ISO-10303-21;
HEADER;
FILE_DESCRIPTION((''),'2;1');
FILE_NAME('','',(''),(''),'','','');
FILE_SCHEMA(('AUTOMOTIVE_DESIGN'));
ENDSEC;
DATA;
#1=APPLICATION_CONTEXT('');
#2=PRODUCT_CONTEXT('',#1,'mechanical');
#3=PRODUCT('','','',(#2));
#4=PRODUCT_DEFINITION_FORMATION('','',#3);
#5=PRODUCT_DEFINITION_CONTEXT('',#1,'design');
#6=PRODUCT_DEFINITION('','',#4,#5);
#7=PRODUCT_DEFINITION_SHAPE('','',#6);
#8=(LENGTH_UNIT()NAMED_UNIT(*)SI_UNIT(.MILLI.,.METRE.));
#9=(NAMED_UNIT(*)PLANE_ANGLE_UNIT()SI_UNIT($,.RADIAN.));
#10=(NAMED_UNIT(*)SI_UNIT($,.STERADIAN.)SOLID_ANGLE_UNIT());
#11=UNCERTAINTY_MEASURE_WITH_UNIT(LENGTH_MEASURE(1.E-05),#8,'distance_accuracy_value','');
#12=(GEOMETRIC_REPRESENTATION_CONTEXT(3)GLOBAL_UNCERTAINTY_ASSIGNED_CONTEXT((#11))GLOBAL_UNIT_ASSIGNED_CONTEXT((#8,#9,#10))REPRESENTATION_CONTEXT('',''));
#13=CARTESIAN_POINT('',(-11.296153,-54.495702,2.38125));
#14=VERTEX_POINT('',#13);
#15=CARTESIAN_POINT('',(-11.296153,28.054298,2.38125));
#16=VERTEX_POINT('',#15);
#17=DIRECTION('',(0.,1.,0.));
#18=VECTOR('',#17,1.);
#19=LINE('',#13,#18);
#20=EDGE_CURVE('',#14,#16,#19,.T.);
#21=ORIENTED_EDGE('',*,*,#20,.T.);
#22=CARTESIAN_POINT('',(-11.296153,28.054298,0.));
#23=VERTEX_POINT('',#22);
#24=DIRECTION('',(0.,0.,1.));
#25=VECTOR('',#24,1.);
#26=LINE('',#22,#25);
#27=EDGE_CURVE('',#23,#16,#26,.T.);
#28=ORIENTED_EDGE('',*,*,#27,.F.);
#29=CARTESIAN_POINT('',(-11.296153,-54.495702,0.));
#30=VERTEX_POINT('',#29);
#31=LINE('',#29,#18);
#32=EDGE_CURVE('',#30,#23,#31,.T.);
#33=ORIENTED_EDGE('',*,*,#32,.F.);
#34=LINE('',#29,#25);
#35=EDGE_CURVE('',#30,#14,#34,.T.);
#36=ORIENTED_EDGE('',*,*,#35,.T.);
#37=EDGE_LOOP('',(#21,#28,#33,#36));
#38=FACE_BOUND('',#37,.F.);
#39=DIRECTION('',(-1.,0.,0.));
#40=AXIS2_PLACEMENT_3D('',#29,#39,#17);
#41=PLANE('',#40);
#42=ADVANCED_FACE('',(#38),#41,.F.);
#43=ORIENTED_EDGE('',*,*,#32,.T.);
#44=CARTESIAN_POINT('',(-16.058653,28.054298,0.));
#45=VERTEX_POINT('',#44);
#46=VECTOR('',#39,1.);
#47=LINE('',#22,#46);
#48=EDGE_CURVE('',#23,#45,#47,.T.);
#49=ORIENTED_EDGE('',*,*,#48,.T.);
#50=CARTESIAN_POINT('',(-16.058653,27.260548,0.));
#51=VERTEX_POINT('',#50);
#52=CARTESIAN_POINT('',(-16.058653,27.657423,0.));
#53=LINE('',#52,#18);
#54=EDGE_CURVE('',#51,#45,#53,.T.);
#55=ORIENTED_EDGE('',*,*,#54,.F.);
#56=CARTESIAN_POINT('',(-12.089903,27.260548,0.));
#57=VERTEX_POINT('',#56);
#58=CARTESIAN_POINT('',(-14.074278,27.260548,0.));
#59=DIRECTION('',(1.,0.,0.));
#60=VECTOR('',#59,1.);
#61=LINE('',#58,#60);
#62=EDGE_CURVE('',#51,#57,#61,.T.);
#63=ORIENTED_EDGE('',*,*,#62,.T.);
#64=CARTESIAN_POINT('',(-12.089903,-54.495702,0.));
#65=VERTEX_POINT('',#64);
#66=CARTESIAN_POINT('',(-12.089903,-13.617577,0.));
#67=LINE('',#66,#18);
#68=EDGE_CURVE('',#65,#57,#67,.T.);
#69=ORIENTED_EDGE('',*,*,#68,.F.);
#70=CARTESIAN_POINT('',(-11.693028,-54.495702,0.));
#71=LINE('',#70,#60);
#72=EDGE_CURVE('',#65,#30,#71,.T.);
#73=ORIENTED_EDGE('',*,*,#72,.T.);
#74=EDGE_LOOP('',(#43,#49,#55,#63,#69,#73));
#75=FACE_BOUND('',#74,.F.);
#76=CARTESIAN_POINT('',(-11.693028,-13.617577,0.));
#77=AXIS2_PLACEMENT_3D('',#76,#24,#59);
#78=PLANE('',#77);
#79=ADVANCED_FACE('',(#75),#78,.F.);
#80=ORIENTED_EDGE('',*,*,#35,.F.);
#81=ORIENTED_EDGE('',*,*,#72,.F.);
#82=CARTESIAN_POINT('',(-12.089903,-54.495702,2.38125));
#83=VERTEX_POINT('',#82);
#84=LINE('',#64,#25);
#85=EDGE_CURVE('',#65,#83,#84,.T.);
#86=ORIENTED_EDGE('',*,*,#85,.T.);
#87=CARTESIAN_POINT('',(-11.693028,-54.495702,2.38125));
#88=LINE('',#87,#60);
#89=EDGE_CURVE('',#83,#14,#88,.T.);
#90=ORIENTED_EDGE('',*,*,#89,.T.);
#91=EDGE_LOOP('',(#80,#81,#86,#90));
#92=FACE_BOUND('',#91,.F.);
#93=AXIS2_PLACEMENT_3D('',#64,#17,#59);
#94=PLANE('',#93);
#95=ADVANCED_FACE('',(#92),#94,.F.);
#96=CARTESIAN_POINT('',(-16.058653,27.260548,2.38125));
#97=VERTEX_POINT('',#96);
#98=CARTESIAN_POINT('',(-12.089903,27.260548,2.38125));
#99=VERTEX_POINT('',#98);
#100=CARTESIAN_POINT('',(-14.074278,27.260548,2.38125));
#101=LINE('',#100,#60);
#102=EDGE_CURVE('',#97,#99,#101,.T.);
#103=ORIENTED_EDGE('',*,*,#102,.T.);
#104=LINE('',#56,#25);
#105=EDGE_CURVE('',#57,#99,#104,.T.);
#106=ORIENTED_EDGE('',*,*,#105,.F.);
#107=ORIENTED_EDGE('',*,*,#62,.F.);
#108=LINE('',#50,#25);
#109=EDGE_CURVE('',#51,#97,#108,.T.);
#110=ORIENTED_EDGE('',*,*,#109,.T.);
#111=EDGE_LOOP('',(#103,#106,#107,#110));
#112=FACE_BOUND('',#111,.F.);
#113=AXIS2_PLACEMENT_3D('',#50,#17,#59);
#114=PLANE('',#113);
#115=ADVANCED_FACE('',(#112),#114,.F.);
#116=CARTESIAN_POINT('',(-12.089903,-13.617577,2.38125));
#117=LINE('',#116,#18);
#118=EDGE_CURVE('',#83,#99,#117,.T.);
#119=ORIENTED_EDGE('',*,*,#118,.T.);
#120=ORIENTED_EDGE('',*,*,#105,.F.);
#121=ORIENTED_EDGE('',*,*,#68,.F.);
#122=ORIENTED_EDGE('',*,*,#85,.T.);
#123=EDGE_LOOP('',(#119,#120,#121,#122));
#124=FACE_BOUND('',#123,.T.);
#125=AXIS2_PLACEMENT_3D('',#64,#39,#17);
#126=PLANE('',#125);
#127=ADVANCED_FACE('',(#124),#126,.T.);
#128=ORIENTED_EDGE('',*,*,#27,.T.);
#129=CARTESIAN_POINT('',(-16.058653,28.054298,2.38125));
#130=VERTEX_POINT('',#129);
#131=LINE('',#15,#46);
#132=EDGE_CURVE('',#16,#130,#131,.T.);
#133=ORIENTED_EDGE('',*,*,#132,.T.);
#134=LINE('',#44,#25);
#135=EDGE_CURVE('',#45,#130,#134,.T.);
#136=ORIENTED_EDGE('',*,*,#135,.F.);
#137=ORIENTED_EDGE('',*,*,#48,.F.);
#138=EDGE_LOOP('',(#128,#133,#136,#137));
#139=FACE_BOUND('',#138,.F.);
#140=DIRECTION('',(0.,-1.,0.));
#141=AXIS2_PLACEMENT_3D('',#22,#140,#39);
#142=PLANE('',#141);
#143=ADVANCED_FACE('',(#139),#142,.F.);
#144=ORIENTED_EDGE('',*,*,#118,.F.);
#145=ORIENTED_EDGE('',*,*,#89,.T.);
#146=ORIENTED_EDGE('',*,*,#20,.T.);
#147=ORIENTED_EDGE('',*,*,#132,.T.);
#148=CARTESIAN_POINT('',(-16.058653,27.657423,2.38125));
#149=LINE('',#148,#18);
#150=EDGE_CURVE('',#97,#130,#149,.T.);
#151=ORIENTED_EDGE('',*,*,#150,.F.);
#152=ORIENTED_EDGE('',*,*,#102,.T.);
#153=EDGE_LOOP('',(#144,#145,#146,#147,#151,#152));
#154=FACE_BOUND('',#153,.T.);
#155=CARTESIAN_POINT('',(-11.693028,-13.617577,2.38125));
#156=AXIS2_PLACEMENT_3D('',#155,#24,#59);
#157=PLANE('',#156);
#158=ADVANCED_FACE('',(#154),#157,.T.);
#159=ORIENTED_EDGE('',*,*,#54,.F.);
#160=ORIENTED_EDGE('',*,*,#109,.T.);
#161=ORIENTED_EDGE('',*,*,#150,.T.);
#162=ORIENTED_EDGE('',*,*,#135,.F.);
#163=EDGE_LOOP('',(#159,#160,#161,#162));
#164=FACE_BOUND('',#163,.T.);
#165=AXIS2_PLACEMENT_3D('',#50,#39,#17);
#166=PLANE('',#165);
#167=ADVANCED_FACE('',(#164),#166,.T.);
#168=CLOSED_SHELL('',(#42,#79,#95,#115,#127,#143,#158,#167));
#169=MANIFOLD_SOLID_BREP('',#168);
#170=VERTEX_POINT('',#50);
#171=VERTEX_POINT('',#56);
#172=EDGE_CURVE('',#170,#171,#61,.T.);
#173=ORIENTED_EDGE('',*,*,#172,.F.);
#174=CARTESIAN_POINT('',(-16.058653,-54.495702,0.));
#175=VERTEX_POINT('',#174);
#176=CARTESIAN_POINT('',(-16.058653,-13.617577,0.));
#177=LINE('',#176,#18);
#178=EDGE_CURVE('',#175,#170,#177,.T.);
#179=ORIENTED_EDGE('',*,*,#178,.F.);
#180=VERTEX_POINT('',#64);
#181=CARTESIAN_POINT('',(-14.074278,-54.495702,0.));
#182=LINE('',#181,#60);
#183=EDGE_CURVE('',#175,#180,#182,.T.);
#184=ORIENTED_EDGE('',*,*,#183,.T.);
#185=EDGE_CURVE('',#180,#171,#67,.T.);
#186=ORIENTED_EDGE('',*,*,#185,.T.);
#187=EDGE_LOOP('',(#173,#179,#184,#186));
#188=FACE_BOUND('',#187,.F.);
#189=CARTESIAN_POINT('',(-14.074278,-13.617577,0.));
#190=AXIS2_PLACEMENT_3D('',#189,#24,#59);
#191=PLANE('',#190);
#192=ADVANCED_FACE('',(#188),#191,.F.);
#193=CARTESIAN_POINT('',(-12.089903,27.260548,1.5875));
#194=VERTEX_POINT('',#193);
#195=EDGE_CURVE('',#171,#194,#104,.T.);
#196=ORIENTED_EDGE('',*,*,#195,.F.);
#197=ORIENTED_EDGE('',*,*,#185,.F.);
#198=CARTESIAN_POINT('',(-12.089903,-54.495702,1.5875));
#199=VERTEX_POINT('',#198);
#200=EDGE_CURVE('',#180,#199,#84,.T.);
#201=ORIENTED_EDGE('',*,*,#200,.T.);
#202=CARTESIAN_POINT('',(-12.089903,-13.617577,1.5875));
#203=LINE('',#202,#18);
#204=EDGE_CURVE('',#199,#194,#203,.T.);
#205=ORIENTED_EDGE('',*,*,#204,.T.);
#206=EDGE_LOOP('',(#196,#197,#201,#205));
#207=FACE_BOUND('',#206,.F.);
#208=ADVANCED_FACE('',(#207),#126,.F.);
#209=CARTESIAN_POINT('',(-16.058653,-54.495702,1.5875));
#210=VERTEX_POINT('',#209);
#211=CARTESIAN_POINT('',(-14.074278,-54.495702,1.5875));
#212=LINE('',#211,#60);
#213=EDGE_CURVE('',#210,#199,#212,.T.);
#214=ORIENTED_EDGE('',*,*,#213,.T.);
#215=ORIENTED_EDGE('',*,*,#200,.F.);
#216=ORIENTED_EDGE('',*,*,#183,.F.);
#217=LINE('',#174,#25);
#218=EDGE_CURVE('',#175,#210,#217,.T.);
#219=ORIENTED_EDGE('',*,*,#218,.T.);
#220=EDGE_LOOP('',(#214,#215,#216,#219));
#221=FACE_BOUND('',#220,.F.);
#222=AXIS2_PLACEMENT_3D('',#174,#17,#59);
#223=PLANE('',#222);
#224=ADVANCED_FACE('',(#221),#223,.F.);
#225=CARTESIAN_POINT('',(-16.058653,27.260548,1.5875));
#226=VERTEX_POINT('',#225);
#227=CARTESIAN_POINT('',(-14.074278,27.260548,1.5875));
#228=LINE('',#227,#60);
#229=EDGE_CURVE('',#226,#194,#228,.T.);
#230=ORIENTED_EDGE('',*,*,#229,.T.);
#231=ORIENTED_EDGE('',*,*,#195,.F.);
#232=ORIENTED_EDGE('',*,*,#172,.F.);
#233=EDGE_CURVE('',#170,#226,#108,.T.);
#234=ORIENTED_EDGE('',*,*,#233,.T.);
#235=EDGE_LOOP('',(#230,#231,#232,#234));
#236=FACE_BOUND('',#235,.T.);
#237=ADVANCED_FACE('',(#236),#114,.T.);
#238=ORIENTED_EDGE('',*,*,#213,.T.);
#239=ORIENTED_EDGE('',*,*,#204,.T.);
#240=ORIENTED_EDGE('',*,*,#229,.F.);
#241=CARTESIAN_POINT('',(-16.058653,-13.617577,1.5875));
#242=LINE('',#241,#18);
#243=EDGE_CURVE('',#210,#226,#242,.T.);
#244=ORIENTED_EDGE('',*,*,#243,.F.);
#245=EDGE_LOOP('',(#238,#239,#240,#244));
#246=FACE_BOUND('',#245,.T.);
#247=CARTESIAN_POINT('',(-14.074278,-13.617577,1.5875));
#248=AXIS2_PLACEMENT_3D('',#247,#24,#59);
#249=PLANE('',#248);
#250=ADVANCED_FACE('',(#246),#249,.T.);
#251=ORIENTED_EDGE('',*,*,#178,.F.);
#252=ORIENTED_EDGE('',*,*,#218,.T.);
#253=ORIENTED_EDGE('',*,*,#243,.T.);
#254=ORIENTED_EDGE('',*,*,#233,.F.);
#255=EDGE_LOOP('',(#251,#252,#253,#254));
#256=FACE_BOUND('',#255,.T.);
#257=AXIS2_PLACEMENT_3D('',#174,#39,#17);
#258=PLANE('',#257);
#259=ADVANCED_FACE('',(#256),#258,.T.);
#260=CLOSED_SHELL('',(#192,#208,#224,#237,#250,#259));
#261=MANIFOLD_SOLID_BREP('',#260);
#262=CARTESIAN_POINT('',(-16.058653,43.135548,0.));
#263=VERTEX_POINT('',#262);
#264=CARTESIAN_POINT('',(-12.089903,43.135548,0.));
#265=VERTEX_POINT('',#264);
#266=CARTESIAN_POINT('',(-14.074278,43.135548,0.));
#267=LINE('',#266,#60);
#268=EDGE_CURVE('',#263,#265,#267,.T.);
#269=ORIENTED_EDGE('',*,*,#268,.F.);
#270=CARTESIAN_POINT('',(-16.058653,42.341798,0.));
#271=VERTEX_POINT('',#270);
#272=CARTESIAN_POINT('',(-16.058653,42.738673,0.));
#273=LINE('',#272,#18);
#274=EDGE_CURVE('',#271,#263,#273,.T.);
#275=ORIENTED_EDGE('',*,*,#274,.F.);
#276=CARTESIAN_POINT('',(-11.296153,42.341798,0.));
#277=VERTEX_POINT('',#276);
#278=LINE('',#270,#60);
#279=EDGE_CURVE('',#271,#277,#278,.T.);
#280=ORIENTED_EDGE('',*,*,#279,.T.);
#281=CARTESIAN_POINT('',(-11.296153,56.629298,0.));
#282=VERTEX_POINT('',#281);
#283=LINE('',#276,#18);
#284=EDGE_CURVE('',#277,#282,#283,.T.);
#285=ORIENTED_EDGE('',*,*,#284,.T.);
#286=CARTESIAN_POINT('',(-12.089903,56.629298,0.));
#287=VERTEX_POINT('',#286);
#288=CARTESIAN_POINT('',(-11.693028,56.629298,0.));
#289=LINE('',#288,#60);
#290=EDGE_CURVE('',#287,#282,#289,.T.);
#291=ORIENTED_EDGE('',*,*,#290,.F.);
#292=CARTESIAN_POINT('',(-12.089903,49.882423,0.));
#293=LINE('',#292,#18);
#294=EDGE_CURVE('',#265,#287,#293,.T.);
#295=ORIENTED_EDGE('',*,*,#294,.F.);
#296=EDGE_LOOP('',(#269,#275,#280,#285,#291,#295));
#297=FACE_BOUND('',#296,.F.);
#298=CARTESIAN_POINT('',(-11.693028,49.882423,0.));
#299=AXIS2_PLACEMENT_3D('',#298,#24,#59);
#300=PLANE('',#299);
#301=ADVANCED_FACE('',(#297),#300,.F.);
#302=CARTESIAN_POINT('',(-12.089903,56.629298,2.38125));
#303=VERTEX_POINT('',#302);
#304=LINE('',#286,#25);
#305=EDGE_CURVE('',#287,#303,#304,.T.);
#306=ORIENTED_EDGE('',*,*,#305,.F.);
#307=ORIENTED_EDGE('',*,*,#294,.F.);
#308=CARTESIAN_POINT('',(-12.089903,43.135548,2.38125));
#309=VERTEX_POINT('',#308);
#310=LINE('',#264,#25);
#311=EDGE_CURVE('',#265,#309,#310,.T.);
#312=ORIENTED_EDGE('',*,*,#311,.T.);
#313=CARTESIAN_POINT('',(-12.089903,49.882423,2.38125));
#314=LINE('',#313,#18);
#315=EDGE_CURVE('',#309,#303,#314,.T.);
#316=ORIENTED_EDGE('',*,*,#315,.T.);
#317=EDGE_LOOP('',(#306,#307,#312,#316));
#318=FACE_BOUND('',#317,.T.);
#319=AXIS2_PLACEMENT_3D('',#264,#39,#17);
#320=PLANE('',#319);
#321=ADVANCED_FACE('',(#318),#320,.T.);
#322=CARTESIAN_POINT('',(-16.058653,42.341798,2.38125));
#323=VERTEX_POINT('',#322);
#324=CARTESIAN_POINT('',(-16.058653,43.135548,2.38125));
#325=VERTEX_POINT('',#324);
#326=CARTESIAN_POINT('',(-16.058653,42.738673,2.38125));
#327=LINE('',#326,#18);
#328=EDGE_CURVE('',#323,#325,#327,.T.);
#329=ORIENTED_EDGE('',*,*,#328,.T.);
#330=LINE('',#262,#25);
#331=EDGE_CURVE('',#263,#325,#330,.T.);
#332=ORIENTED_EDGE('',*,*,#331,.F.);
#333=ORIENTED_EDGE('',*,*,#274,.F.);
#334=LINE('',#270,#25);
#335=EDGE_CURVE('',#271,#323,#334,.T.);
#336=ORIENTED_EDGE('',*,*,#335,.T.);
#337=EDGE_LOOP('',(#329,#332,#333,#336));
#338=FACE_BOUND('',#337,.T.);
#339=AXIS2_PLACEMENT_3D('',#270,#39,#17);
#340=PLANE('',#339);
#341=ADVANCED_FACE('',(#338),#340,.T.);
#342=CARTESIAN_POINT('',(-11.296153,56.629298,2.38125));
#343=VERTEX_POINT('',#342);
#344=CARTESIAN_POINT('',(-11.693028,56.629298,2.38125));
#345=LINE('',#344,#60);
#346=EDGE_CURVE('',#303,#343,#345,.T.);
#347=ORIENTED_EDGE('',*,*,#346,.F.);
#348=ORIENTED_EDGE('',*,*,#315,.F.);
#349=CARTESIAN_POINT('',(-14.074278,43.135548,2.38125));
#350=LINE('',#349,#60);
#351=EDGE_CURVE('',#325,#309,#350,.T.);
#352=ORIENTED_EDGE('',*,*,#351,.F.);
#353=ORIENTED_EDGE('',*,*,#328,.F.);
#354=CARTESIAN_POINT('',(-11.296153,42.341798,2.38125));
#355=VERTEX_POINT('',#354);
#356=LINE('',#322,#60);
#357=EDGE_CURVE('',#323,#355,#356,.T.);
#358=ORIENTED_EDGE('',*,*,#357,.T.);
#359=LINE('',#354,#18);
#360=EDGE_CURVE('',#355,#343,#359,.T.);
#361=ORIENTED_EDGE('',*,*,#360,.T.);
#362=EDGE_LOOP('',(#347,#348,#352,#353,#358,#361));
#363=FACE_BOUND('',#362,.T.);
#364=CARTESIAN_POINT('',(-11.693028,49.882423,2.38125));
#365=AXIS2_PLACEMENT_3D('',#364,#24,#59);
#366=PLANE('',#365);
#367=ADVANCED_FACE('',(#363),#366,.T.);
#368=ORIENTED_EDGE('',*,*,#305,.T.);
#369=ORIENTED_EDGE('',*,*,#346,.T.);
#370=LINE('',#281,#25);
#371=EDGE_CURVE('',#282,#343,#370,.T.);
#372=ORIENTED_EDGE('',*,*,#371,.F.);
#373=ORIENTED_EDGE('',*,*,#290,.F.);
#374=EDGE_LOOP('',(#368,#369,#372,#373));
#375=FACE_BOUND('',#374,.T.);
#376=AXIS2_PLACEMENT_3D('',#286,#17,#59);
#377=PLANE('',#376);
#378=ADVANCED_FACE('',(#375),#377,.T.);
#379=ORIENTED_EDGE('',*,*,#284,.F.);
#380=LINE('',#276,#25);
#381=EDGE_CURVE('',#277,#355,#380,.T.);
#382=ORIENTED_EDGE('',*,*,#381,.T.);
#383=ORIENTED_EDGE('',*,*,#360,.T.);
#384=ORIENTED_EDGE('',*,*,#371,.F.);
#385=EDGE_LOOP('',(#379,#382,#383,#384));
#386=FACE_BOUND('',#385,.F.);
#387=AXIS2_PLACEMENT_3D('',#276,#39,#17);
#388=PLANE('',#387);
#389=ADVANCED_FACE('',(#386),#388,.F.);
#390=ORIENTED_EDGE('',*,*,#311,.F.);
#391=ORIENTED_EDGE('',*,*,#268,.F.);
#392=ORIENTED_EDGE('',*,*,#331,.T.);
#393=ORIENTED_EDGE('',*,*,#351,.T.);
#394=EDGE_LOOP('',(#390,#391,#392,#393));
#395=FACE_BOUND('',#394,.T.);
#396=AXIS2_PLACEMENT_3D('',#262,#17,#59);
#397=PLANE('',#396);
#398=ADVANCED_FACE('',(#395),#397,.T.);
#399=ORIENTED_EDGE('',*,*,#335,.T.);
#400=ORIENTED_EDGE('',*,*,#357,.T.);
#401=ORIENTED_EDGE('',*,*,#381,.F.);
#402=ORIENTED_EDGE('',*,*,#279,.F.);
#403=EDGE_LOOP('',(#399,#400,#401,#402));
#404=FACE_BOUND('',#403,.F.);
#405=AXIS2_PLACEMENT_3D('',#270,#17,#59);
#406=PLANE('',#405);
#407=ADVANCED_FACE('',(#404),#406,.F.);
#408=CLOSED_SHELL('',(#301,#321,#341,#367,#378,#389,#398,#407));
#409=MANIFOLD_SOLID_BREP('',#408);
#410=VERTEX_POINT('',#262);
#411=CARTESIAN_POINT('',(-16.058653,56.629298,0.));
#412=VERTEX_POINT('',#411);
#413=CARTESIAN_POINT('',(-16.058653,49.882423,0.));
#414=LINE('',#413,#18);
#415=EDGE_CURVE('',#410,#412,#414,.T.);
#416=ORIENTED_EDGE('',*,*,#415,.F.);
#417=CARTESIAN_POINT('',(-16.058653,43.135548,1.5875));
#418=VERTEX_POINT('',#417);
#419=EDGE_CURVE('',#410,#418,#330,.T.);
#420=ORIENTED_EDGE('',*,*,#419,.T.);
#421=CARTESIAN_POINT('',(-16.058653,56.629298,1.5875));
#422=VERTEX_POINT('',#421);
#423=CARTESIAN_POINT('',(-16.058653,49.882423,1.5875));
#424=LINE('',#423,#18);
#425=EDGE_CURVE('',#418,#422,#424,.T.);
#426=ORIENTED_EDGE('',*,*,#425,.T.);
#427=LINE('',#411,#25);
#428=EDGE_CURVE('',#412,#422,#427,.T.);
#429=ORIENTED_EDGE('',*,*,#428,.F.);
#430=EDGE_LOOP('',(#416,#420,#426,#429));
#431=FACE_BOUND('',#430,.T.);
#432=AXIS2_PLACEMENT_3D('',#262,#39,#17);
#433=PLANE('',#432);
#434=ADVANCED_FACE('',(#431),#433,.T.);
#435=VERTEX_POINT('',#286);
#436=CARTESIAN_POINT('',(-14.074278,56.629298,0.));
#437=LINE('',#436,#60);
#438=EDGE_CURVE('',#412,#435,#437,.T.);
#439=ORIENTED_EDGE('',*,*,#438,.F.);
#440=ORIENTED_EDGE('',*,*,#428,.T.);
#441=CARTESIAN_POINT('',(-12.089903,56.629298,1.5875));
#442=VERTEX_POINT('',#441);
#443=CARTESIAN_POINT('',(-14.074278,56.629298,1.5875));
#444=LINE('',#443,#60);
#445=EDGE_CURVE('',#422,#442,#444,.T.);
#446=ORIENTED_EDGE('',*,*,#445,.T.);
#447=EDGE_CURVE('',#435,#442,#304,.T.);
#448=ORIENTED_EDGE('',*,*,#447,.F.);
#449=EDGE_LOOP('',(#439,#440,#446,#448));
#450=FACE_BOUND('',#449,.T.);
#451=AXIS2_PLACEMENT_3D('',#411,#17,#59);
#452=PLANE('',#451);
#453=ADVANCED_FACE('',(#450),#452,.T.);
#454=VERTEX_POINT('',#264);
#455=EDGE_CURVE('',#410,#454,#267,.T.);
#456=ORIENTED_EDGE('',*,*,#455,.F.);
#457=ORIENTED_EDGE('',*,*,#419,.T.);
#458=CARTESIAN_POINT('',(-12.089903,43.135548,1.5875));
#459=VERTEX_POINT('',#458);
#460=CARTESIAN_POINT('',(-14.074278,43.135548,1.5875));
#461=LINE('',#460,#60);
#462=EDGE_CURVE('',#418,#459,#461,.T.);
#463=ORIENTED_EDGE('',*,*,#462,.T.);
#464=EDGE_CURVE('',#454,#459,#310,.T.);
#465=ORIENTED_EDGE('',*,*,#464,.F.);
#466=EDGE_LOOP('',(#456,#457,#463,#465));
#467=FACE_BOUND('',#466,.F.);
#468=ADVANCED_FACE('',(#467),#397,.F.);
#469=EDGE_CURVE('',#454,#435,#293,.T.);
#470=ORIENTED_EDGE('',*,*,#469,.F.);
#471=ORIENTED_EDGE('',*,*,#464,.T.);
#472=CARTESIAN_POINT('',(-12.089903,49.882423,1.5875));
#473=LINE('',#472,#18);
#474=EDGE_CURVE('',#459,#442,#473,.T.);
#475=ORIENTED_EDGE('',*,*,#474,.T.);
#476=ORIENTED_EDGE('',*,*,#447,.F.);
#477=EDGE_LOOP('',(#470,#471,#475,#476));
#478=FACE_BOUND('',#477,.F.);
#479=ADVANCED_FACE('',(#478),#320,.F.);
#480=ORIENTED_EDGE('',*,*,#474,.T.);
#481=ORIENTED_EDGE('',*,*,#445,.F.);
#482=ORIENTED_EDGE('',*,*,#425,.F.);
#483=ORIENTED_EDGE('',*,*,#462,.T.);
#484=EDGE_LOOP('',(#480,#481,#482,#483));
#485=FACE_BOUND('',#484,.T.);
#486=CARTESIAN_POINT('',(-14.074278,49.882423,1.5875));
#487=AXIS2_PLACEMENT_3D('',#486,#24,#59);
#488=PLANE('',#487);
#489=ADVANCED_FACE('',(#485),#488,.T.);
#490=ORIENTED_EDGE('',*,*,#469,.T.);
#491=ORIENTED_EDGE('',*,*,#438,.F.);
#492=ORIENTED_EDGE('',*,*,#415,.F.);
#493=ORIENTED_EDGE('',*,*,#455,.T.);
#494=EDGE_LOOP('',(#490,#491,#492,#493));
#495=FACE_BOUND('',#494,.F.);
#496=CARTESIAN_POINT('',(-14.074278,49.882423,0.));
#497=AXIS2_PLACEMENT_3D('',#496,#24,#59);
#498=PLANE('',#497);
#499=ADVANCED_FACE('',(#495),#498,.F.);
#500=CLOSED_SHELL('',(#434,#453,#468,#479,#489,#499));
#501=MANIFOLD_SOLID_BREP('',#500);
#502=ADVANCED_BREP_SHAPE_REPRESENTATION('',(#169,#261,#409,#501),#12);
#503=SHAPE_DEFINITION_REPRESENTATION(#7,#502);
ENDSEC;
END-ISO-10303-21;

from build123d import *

# Parameters (mm, degrees)
F0_W     = 0.79375
F0_H     = 13.49375
F0_W_2   = 3.96875
F0_H_2   = 0.79375
F1_DEPTH = 2.38125
F0_H_3   = 81.75625
F2_DEPTH = 1.5875


with BuildPart() as f1:
    # F0 (on Top) → F1 (new body)
    with BuildSketch(Plane.XY):
        with Locations((-11.6930281506, 49.8824233443)):
            Rectangle(F0_W, F0_H)
        with Locations((-14.0742781506, 42.7386733443)):
            Rectangle(F0_W_2, F0_H_2)
        with Locations((-11.6930281506, 42.7386733443)):
            Rectangle(F0_W, F0_H_2)
    extrude(amount=F1_DEPTH)


with BuildPart() as f1b:
    # F0 (on Top) → F1, piece 2 (new body)
    with BuildSketch(Plane.XY):
        with Locations((-11.6930281506, -13.6175766557)):
            Rectangle(F0_W, F0_H_3)
        with Locations((-14.0742781506, 27.6574233443)):
            Rectangle(F0_W_2, F0_H_2)
        with Locations((-11.6930281506, 27.6574233443)):
            Rectangle(F0_W, F0_H_2)
    extrude(amount=F1_DEPTH)


with BuildPart() as f2:
    # F0 (on Top) → F2 (new body)
    with BuildSketch(Plane.XY):
        with Locations((-14.0742781506, 49.8824233443)):
            Rectangle(F0_W_2, F0_H)
    extrude(amount=F2_DEPTH)


with BuildPart() as f2b:
    # F0 (on Top) → F2, piece 2 (new body)
    with BuildSketch(Plane.XY):
        with Locations((-14.0742781506, -13.6175766557)):
            Rectangle(F0_W_2, F0_H_3)
    extrude(amount=F2_DEPTH)


solid = Compound([f1.part, f1b.part, f2.part, f2b.part])
